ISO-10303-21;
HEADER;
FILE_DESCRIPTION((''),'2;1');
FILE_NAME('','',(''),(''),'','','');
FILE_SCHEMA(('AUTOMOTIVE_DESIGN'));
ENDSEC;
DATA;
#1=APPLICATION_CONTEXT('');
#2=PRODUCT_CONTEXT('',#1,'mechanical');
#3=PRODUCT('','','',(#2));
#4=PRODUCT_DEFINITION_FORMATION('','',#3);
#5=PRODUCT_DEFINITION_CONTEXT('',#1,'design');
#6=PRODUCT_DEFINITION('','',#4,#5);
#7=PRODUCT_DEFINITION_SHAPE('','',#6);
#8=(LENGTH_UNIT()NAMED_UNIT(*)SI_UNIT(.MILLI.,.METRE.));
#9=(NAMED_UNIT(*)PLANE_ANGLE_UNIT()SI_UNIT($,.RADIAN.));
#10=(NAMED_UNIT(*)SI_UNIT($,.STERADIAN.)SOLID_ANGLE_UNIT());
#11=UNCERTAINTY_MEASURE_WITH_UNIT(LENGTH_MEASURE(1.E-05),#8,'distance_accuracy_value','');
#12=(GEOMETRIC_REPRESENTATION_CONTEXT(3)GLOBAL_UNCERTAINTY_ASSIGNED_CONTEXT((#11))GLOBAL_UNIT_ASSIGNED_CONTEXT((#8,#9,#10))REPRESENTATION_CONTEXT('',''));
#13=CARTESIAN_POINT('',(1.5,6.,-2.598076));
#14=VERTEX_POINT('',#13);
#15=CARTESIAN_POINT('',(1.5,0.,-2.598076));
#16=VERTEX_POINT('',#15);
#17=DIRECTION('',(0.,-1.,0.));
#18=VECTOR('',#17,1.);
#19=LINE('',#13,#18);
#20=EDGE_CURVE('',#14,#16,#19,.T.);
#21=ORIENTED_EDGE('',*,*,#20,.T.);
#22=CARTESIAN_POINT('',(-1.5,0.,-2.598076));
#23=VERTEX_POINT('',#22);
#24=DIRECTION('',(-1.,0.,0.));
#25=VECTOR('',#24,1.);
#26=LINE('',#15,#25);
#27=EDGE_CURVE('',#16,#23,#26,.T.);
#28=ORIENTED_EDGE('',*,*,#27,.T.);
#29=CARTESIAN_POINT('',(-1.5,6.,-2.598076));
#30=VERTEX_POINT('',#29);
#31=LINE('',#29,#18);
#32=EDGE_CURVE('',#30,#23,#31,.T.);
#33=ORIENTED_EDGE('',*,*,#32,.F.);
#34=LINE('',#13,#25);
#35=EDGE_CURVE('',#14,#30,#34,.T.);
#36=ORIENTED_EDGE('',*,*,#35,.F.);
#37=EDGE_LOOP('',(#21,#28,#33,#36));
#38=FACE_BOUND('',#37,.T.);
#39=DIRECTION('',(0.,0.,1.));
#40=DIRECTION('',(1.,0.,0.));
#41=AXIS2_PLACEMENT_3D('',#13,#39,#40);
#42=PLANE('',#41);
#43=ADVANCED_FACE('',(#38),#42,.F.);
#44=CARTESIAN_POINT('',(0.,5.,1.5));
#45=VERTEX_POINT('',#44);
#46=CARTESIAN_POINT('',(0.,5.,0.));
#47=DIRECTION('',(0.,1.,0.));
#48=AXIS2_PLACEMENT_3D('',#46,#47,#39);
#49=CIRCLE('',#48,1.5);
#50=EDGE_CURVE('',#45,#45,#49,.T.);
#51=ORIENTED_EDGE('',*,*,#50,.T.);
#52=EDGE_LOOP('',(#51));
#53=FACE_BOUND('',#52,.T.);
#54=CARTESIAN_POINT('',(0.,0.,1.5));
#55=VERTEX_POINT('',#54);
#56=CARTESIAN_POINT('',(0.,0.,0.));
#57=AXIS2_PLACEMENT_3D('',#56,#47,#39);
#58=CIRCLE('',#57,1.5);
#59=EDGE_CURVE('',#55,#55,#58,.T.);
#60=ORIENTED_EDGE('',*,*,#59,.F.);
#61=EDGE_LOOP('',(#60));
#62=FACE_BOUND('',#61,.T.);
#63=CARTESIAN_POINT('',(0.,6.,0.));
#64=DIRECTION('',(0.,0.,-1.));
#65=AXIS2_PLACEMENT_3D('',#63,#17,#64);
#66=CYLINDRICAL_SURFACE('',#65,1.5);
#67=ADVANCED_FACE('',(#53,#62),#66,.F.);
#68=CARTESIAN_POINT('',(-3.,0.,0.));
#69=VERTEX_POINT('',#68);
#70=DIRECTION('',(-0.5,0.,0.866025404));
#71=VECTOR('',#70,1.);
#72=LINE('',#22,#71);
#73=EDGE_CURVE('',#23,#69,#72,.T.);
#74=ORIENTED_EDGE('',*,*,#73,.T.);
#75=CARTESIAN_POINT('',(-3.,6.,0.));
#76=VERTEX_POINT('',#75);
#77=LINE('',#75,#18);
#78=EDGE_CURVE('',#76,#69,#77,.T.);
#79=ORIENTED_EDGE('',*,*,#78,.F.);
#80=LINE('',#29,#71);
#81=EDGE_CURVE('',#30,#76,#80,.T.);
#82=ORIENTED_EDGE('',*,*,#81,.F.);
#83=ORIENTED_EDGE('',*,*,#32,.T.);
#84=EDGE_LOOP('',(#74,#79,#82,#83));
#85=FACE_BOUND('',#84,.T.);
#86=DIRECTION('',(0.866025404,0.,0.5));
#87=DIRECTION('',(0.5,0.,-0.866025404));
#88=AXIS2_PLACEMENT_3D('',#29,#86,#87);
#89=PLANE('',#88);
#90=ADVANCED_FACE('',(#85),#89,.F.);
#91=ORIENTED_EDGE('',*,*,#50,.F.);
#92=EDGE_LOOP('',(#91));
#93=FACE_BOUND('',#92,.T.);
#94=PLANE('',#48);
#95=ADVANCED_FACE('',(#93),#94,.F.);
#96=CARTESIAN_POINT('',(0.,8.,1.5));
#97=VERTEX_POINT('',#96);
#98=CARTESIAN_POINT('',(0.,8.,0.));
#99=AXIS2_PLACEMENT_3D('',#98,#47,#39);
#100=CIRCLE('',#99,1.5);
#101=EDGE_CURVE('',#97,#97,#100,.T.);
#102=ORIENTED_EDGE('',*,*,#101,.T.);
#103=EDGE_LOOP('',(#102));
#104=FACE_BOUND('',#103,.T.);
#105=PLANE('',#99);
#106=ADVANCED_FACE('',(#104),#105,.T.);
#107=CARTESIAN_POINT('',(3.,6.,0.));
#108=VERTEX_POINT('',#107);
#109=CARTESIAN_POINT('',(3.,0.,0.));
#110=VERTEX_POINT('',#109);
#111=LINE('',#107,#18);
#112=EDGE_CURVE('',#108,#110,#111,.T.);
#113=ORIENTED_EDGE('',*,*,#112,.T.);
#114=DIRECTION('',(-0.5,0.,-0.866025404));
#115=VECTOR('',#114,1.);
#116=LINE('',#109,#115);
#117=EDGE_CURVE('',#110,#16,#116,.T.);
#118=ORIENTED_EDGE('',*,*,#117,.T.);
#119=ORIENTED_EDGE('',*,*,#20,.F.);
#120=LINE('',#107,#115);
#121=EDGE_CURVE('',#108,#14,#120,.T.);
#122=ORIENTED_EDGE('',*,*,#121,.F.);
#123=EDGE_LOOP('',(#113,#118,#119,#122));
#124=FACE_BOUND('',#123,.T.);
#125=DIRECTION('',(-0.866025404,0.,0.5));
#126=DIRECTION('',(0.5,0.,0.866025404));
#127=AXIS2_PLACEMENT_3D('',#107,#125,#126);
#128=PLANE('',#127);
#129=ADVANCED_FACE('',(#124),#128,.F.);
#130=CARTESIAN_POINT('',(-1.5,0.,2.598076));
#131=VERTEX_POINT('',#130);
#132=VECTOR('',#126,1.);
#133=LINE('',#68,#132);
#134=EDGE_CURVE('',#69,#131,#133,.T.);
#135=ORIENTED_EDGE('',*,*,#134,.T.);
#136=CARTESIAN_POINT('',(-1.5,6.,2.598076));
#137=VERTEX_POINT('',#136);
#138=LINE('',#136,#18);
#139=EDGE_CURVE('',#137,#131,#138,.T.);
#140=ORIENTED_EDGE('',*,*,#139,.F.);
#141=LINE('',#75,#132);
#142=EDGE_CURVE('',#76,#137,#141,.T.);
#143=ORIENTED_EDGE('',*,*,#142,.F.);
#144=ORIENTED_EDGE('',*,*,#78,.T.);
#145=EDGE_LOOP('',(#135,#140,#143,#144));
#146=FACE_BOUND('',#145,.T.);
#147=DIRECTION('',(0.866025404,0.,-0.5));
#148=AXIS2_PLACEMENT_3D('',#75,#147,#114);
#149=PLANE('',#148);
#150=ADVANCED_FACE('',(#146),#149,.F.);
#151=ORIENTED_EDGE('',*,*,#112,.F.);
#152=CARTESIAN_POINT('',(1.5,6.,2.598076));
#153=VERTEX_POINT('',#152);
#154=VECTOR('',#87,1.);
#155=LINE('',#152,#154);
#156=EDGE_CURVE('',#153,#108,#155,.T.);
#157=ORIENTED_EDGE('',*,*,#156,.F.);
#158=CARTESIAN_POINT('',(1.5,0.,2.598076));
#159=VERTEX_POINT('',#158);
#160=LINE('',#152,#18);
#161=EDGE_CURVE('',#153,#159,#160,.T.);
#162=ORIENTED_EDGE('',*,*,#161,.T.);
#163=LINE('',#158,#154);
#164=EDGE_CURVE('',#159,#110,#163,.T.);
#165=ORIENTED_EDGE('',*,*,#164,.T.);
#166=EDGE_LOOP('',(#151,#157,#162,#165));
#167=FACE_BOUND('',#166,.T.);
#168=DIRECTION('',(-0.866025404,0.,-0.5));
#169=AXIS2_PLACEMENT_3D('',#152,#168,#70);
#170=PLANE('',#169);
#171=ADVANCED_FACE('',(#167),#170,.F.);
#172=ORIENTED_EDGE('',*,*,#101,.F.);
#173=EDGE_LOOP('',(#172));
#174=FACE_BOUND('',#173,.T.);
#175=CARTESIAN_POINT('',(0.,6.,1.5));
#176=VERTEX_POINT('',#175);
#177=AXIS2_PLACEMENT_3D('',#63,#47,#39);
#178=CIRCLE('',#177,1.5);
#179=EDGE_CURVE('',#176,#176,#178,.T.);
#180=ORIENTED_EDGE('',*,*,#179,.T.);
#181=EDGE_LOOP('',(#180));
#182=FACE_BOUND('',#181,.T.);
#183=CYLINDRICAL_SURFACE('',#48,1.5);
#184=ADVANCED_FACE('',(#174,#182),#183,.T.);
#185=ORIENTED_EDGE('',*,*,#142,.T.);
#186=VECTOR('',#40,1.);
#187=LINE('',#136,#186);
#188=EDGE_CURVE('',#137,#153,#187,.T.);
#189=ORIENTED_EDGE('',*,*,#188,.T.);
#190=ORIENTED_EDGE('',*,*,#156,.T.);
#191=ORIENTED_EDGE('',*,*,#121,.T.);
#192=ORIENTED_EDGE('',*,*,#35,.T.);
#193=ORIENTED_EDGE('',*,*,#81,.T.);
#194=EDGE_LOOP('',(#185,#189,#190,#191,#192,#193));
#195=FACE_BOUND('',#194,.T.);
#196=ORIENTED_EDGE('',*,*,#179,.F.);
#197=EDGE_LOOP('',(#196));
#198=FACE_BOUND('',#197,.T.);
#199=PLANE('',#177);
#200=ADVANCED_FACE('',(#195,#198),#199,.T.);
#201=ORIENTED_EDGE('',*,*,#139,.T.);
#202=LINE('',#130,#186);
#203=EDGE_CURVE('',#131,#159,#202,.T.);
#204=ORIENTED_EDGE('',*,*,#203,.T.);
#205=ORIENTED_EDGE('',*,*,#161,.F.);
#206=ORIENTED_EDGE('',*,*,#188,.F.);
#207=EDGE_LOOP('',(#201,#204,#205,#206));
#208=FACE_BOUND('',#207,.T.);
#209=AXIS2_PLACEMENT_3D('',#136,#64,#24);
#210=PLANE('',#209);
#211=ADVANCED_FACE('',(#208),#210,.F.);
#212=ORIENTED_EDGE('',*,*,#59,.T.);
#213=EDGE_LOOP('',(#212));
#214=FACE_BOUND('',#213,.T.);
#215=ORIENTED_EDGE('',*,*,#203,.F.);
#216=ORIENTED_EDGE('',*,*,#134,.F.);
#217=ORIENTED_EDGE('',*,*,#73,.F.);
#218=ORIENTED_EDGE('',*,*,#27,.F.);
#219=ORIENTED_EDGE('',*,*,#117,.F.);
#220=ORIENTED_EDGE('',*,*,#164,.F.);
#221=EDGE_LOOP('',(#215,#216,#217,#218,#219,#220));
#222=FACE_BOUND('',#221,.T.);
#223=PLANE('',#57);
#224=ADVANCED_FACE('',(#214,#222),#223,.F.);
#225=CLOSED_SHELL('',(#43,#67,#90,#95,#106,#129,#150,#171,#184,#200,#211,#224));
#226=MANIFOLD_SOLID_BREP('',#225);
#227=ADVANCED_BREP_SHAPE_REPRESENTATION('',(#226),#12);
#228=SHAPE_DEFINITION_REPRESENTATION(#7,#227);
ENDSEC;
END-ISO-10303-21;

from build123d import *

# Parameters (mm, degrees)
SKETCH_1_R           = 1.5
EXTRUDE_1_DEPTH      = 6
EXTRUDE_2_DEPTH      = 2
EXTRUDE_2_DEPTH_BACK = 1
SKETCH_2_R           = 1.5


with BuildPart() as part:
    # 草图1 → 凸台-拉伸1 (new body)
    with BuildSketch(Plane(origin=(0, 0, 0), x_dir=(1, 0, 0), z_dir=(0, 1, 0))):
        Polygon((3, 0), (1.5, 2.598076211), (-1.5, 2.598076211), (-3, 0), (-1.5, -2.598076211), (1.5, -2.598076211), align=None)
        with Locations(Location((0, 0, 0), (0, 0, 270))):
            Circle(SKETCH_1_R, mode=Mode.SUBTRACT)
    extrude(amount=EXTRUDE_1_DEPTH)

    # 草图2 → 凸台-拉伸2 (add, two sides: drawn at the far end of the back side and taken through both)
    with BuildSketch(Plane(origin=(0, 6, 0), x_dir=(1, 0, 0), z_dir=(0, 1, 0)).offset(-EXTRUDE_2_DEPTH_BACK)):
        with Locations(Location((0, 0, 0), (0, 0, 270))):
            Circle(SKETCH_2_R)
    extrude(amount=EXTRUDE_2_DEPTH + EXTRUDE_2_DEPTH_BACK)


solid = part.part
